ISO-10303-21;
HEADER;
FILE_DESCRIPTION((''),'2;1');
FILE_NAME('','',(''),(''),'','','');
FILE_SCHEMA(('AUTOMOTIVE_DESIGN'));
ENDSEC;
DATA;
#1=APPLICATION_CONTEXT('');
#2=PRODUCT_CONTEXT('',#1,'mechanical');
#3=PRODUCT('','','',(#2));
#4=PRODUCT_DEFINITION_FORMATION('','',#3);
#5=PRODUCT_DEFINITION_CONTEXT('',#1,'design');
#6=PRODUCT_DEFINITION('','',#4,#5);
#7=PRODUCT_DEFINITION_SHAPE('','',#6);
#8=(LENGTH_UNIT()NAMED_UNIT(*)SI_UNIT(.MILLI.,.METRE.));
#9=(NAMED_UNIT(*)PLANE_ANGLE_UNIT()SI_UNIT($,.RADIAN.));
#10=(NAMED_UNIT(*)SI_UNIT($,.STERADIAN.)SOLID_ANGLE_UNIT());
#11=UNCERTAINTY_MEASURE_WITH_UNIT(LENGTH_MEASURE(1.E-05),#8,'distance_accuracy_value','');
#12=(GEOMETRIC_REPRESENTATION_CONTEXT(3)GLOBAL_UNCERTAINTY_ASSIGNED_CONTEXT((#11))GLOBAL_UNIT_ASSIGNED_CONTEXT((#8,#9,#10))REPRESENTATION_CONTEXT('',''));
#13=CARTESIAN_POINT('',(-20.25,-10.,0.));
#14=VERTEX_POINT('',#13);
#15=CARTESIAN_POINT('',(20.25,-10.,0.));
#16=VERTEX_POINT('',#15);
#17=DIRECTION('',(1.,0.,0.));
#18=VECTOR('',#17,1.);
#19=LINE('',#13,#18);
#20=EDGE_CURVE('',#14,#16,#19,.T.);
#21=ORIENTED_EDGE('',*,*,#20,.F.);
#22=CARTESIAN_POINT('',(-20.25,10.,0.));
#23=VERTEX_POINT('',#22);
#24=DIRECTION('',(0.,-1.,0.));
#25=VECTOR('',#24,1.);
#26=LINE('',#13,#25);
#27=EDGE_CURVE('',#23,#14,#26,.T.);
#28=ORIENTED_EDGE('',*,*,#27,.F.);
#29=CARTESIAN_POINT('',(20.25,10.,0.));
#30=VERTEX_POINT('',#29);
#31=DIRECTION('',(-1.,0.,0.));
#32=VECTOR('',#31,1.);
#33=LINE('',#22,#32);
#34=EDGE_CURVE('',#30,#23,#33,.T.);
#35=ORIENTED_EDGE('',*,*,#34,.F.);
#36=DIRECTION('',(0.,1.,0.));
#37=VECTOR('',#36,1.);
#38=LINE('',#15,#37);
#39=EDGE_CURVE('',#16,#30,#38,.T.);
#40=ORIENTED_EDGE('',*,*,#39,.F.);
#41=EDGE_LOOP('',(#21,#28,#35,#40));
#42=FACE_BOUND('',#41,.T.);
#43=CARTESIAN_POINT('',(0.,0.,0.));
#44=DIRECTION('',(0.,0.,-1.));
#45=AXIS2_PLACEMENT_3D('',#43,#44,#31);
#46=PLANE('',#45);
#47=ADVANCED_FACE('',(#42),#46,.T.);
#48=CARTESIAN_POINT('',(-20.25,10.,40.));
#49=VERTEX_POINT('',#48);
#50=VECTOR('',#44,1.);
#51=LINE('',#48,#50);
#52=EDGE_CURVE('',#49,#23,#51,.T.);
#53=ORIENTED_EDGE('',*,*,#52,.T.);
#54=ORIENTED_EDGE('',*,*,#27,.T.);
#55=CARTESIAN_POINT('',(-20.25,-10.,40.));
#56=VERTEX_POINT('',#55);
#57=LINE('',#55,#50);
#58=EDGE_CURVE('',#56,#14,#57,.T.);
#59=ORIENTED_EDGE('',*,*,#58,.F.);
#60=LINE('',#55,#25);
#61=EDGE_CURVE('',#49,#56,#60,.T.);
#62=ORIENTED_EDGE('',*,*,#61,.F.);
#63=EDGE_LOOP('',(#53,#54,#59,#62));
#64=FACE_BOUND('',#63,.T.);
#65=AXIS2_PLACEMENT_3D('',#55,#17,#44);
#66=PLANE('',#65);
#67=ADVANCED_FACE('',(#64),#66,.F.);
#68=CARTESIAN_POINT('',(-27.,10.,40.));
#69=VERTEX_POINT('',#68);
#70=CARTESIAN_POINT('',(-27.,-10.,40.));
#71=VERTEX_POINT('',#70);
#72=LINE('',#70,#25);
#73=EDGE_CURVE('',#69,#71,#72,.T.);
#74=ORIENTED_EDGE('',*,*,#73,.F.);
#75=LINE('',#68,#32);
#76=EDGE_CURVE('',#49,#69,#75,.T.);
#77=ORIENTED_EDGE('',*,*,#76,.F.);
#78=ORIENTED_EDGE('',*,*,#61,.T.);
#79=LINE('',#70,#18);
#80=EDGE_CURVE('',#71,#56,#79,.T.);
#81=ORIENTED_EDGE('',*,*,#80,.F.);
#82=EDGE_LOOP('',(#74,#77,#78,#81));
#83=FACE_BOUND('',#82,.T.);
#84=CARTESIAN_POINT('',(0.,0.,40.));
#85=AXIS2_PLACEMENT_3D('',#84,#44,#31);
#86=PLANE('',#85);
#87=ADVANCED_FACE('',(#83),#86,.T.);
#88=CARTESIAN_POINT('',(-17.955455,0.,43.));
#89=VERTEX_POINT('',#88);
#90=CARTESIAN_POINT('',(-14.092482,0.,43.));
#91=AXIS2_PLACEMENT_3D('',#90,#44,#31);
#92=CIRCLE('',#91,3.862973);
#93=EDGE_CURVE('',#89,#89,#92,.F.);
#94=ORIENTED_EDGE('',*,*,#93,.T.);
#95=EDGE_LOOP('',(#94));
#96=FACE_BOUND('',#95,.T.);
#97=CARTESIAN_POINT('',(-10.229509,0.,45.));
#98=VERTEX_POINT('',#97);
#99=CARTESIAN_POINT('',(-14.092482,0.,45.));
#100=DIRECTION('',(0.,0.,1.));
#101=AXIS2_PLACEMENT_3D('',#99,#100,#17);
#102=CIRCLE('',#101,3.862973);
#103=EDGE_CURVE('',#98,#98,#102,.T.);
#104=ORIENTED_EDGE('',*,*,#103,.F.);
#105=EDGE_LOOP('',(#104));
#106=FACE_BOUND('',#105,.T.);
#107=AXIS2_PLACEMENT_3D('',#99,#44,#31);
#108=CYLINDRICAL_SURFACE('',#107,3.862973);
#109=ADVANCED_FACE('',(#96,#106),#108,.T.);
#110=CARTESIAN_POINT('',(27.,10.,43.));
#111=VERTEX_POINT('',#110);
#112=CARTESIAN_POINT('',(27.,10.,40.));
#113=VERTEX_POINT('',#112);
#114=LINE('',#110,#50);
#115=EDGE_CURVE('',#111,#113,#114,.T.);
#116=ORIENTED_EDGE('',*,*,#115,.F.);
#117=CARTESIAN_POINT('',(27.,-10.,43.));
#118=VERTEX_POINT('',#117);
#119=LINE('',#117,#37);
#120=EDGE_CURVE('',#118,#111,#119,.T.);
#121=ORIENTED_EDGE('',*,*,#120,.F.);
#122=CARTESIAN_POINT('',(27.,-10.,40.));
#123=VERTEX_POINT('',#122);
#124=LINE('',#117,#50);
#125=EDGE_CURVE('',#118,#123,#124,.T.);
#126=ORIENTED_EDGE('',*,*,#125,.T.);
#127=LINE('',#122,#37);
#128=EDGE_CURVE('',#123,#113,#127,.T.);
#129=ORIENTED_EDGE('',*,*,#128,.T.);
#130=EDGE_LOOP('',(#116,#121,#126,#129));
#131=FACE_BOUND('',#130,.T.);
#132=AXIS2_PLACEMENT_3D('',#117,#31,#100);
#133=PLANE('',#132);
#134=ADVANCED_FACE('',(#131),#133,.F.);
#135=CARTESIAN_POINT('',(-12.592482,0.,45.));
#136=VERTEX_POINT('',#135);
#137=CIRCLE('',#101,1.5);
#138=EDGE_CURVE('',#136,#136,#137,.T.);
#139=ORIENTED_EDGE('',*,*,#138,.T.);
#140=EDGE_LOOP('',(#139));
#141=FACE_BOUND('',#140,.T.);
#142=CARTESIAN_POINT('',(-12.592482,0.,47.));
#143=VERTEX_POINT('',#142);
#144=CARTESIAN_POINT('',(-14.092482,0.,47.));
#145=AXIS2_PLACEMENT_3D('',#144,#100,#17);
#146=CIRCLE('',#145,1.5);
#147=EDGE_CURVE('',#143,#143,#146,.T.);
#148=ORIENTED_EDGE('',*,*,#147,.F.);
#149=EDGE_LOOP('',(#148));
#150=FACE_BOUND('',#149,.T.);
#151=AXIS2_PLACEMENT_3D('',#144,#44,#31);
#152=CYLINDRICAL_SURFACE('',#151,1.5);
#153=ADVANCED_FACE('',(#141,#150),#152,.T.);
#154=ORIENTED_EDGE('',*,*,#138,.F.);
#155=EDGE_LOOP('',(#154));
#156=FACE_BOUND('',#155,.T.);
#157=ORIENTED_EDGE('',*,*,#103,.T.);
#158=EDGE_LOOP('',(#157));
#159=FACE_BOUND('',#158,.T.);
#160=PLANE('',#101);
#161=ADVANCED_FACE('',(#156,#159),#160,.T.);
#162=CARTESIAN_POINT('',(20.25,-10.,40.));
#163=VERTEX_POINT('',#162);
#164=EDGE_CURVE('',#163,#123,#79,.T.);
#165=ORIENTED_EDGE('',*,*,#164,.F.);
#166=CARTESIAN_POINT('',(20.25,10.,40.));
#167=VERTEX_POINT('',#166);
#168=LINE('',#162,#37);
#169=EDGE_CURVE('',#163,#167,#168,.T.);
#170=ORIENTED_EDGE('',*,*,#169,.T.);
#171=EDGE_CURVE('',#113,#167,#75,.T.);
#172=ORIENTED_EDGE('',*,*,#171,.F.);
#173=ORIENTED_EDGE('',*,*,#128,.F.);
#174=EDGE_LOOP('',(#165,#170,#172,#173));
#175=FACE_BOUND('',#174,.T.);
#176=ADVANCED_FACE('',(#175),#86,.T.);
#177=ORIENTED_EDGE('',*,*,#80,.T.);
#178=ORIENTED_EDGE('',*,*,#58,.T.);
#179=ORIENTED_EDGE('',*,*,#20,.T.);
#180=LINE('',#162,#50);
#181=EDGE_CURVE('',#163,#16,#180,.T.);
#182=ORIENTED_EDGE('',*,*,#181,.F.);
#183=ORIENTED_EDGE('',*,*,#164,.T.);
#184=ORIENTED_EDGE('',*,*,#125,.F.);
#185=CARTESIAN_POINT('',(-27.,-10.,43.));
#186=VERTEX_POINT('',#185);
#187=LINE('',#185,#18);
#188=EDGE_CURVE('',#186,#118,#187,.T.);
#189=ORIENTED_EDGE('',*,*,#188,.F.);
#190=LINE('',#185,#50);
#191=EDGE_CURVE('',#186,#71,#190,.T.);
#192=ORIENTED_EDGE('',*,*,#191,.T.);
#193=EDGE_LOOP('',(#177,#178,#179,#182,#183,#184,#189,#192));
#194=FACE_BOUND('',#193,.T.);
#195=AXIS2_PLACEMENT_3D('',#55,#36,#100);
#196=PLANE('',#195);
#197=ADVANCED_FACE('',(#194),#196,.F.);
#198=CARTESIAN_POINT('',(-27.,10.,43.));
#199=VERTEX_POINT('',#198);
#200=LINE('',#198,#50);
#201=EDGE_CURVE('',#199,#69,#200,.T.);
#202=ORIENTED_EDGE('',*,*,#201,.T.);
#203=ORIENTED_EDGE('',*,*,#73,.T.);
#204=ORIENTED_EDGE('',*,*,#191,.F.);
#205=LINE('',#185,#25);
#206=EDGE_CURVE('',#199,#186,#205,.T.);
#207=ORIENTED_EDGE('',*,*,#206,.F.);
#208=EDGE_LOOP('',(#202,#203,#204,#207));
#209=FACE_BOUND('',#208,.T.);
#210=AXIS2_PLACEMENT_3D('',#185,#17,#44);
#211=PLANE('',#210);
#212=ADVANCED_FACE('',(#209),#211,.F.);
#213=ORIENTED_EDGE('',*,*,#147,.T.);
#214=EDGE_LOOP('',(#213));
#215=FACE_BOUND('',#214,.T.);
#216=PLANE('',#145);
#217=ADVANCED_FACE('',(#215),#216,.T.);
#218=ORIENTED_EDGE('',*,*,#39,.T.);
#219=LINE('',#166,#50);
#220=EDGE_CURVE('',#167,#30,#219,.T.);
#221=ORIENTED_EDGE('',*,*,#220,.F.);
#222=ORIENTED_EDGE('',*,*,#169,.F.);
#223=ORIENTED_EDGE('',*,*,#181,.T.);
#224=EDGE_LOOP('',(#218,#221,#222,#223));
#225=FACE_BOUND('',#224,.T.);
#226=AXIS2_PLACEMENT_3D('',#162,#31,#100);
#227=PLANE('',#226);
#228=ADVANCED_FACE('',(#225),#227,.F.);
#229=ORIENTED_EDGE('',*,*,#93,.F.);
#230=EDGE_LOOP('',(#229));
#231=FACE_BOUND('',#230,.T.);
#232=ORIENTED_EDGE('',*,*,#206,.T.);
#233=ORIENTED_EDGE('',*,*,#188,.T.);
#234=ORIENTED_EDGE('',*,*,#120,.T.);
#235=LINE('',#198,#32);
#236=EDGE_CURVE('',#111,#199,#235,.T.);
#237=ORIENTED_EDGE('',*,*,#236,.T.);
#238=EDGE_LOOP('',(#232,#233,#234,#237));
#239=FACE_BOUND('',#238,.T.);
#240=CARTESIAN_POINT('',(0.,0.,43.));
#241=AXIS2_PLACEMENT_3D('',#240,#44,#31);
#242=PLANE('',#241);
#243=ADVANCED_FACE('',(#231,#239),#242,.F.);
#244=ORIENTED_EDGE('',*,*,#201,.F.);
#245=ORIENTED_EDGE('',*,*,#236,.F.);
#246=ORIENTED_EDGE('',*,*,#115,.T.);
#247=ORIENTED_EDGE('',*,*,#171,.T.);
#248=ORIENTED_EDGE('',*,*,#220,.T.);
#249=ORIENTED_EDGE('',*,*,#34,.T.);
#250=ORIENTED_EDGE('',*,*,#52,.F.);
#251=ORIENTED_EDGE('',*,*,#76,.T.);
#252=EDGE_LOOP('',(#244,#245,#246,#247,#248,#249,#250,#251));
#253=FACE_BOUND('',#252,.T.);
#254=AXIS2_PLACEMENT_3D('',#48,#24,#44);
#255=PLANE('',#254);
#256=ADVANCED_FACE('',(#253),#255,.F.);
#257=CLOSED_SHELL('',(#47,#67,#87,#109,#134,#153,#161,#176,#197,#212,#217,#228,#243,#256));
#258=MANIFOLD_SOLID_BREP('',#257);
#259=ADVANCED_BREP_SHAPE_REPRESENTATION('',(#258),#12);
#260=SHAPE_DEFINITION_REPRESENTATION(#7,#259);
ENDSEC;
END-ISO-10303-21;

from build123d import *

# Parameters (mm, degrees)
SKETCH_1_W      = 40.5
SKETCH_1_H      = 20
EXTRUDE_1_DEPTH = 40
SKETCH_2_W      = 54
SKETCH_2_H      = 20
EXTRUDE_2_DEPTH = 3
SKETCH_3_R      = 3.862973326
EXTRUDE_3_DEPTH = 2
SKETCH_4_R      = 1.5
EXTRUDE_4_DEPTH = 2


with BuildPart() as part:
    # 草图1 → 凸台-拉伸1 (new body)
    with BuildSketch(Plane.XY):
        Rectangle(SKETCH_1_W, SKETCH_1_H)
    extrude(amount=EXTRUDE_1_DEPTH)

    # 草图2 → 凸台-拉伸2 (add)
    with BuildSketch(Plane.XY.offset(40)):
        Rectangle(SKETCH_2_W, SKETCH_2_H)
    extrude(amount=EXTRUDE_2_DEPTH)

    # 草图3 → 凸台-拉伸3 (add)
    with BuildSketch(Plane.XY.offset(43)):
        with Locations(Location((-14.092481913, 0, 0), (0, 0, 180))):
            Circle(SKETCH_3_R)
    extrude(amount=EXTRUDE_3_DEPTH)

    # 草图4 → 凸台-拉伸4 (add)
    with BuildSketch(Plane.XY.offset(45)):
        with Locations((-14.092481913, 0)):
            Circle(SKETCH_4_R)
    extrude(amount=EXTRUDE_4_DEPTH)


solid = part.part
